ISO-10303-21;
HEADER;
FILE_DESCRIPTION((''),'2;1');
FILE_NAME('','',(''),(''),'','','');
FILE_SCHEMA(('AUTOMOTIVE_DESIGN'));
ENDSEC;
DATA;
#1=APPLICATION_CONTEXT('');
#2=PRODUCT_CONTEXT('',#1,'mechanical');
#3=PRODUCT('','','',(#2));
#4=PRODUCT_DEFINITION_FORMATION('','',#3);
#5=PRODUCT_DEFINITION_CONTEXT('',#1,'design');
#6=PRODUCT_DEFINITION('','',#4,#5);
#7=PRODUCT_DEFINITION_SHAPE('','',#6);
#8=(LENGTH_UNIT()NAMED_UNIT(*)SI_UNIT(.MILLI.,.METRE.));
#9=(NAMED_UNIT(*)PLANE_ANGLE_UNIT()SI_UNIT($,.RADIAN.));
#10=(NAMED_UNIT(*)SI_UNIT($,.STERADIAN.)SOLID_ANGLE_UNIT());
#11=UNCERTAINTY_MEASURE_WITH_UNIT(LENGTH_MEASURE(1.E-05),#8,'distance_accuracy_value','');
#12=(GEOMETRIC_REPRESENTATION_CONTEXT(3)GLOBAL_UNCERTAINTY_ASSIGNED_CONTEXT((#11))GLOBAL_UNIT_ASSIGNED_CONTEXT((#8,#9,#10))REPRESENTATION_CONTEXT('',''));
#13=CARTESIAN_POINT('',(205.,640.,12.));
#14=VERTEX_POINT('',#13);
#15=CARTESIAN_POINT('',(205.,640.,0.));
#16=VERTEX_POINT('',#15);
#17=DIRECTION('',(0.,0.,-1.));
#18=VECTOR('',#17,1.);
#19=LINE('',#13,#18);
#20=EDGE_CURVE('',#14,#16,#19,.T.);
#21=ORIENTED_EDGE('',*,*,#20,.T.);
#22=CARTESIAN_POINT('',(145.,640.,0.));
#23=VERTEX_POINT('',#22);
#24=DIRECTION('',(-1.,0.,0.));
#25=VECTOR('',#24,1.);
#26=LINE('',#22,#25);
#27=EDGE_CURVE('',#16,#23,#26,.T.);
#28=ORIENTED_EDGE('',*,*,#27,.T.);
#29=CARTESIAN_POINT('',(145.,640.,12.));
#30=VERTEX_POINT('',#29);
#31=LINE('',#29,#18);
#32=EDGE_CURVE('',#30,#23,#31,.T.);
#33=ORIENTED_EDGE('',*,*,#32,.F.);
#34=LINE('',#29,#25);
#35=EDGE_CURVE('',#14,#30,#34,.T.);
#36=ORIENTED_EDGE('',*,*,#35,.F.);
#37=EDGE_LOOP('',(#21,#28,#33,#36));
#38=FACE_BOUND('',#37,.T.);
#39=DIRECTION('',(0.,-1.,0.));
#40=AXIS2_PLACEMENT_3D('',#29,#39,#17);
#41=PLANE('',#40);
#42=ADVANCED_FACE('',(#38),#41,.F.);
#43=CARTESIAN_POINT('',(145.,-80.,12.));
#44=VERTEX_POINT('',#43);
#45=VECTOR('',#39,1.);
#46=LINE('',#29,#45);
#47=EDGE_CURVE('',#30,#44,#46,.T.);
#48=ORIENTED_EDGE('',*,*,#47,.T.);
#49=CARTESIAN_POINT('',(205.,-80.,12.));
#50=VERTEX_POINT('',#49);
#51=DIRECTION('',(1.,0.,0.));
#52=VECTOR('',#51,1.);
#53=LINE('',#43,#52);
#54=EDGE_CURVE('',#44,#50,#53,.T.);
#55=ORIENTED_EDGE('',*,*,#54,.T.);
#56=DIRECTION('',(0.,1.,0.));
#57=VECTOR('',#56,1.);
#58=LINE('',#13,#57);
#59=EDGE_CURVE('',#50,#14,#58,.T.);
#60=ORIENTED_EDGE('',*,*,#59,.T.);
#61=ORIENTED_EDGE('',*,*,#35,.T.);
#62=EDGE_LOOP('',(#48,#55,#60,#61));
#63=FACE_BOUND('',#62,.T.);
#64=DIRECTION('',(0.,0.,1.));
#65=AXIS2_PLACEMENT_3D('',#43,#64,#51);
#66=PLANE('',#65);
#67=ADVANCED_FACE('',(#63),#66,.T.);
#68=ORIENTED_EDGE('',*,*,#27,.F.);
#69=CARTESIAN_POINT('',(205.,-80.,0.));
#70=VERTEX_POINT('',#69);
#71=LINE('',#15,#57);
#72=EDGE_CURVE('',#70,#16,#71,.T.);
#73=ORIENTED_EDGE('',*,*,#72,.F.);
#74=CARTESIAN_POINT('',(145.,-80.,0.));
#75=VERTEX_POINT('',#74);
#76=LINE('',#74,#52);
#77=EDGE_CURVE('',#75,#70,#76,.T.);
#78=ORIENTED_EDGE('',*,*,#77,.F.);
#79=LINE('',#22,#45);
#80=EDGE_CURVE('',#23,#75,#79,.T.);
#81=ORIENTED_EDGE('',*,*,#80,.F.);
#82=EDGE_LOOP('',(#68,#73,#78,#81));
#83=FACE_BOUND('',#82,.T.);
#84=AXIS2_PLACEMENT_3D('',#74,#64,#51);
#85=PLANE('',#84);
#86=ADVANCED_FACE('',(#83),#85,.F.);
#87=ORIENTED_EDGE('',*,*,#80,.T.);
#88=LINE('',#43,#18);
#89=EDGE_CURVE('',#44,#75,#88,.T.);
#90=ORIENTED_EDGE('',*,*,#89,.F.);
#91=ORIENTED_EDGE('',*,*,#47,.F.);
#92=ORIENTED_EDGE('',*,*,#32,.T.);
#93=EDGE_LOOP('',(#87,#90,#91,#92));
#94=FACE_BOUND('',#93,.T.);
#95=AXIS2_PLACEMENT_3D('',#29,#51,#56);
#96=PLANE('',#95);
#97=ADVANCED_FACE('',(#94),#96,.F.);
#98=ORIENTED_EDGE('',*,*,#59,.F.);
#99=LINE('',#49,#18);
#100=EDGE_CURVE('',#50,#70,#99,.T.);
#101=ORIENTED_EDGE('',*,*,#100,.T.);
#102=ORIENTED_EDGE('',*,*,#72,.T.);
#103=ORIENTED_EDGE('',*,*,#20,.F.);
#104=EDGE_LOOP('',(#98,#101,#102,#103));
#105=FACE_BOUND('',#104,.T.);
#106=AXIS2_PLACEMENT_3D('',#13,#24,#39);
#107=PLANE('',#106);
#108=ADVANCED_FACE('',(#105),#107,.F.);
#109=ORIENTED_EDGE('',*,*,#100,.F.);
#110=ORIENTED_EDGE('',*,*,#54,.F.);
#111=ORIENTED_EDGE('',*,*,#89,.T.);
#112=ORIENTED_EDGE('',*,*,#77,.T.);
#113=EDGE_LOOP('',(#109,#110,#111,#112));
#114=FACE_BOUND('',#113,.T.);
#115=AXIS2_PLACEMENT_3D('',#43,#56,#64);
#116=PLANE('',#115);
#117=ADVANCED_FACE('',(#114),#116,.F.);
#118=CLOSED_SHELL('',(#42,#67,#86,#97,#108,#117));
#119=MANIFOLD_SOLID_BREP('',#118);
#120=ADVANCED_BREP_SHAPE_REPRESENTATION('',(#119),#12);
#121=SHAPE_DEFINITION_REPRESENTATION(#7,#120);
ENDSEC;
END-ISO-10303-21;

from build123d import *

# Parameters (mm, degrees)
SZKIC1_W                    = 60
SZKIC1_H                    = 720
DODANIE_WYCI_GNI_CIE1_DEPTH = 12


with BuildPart() as part:
    # Szkic1 → Dodanie-wyciągnięcie1 (new body)
    with BuildSketch(Plane.XY):
        with Locations((175, 280)):
            Rectangle(SZKIC1_W, SZKIC1_H)
    extrude(amount=DODANIE_WYCI_GNI_CIE1_DEPTH)


solid = part.part
